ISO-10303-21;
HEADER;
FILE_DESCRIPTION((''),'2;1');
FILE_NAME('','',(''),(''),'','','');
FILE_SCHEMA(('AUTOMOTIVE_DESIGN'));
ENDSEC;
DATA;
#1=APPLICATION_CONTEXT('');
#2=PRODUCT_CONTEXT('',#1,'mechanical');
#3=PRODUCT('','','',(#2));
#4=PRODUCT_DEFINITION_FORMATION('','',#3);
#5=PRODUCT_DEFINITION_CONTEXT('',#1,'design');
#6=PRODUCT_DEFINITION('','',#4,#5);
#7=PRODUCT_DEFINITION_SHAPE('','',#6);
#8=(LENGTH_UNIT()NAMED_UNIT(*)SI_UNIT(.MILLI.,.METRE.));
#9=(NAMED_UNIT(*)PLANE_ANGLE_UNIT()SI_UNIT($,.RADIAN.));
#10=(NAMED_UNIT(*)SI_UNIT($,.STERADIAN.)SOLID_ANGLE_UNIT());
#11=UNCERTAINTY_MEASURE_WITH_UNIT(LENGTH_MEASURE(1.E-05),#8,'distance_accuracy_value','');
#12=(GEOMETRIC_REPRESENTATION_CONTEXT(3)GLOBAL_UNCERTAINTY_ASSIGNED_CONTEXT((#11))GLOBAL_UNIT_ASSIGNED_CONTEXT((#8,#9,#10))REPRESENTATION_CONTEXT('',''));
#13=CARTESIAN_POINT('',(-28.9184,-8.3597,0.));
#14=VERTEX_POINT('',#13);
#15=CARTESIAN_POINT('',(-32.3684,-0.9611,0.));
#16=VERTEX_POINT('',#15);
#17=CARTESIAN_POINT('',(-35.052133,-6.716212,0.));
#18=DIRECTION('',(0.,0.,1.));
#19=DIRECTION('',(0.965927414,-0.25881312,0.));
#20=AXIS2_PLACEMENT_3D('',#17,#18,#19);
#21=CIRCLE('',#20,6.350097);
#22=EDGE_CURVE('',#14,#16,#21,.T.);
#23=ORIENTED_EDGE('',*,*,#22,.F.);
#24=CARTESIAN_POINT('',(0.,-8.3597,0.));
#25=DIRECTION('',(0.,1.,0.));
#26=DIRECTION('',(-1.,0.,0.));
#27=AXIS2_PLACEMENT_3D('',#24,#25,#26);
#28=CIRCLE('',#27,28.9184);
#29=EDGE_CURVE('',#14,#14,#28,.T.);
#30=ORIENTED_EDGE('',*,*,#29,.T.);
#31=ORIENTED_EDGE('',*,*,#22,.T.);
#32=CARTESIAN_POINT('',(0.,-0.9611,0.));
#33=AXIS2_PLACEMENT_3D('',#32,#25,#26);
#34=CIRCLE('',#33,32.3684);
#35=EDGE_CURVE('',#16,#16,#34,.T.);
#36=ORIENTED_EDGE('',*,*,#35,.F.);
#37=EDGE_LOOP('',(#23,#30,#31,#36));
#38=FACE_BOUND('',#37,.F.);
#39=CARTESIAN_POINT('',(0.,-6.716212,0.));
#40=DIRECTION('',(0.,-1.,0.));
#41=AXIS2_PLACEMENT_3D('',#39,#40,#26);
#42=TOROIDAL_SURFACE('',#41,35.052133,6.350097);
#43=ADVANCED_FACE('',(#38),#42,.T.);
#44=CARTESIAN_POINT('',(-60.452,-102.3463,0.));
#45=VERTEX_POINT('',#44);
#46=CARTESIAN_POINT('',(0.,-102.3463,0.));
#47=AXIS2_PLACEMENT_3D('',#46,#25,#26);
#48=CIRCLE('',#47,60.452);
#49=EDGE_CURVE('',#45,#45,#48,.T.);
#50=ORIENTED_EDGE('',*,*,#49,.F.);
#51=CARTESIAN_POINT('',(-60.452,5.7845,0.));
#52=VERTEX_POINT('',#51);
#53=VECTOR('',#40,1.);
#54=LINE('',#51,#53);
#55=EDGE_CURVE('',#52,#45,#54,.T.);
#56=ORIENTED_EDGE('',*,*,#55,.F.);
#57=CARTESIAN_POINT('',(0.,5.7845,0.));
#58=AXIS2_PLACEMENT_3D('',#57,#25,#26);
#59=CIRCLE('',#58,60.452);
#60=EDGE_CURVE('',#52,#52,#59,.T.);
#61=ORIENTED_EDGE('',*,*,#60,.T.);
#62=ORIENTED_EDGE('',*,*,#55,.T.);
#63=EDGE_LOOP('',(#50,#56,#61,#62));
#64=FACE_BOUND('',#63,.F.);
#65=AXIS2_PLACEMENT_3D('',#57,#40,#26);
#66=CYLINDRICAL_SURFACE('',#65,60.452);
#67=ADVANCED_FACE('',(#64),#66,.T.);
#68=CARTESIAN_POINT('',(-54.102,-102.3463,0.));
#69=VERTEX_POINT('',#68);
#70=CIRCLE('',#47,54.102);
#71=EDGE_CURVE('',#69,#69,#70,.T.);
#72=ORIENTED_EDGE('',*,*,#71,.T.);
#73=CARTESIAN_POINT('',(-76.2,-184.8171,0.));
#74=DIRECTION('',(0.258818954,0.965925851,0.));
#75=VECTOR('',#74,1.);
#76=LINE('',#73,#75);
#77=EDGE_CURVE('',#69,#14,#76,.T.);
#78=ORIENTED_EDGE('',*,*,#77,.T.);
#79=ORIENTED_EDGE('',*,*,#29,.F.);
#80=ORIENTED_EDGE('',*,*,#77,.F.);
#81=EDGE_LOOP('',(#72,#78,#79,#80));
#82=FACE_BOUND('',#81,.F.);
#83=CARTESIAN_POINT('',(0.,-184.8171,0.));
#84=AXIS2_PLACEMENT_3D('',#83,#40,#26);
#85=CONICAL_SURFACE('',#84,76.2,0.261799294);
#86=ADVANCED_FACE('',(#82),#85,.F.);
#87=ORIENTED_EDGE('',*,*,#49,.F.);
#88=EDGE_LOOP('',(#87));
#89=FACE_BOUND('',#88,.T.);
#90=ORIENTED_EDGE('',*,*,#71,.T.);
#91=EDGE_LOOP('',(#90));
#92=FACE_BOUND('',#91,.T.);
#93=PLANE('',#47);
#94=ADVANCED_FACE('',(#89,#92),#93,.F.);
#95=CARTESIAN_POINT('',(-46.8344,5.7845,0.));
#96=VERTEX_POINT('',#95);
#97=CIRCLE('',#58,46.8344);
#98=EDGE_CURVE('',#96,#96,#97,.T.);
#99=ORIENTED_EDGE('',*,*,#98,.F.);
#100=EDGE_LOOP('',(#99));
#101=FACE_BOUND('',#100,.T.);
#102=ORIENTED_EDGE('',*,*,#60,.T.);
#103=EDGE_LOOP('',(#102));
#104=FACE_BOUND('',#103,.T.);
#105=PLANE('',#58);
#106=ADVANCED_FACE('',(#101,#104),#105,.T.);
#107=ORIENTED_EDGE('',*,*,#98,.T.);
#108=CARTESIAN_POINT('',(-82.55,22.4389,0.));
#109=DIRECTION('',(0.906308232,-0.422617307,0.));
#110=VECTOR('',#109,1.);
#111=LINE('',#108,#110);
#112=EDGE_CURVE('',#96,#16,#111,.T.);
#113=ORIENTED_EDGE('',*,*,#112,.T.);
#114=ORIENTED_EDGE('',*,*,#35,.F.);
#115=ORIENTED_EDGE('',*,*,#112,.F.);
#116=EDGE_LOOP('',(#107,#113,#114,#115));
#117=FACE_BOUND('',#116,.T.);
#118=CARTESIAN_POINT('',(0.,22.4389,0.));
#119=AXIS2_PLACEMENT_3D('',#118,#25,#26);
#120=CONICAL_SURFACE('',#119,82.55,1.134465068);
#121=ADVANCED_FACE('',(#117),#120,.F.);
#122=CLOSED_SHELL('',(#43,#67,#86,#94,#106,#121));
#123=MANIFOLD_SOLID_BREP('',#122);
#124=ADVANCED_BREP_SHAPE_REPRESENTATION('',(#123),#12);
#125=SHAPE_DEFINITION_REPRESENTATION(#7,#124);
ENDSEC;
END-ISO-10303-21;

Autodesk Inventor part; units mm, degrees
ref_plane "YZ Plane" through (0, 0, 0) normal (1, 0, 0) x (0, 1, 0)
ref_plane "XZ Plane" through (0, 0, 0) normal (0, 1, 0) x (-1, 0, 0)
ref_plane "XY Plane" through (0, 0, 0) normal (0, 0, 1) x (1, 0, 0)
sketch "Sketch1" plane through (0, 0, 0) normal (0, 0, 1) x (1, 0, 0)
  line L0 (0, 25.4) -> (-28.702, 25.4) construction
  line L1 (0, 25.4) -> (-95.25, 25.4) construction
  line L2 (-95.25, 25.4) -> (-88.9, 25.4) construction
  line L3 (-88.9, 25.4) -> (-82.55, 22.4389) construction
  line L4 (-88.9, 25.4) -> (-88.9, 22.4389) construction
  line L5 (-88.9, 0) -> (-95.25, 0)
  line L6 (-28.702, 59.6457) -> (-28.702, -91.9304) construction
  arc A0 (-28.9184, -8.3597) -> (-32.3684, -0.9611) centre (-35.052, -6.7162) ccw
  line L7 (-76.2, -184.8171) -> (-28.9184, -8.3597)
  line L8 (-88.9, 22.4389) -> (-82.55, 22.4389)
  line L9 (-88.9, 22.4389) -> (-88.9, 0)
  line L10 (-82.55, 22.4389) -> (-32.3684, -0.9611)
  line L11 (-28.702, -6.7162) -> (-60.452, -6.7162) construction
  line L12 (-60.452, 12.1345) -> (-60.452, -126.0448) construction
  line L13 (-60.452, -126.0448) -> (-54.102, -126.0448) construction
  line L14 (-54.102, -126.0448) -> (-54.102, -102.3463) construction
  line L15 (-54.102, -102.3463) -> (-60.452, -102.3463)
  line L16 (-60.452, 12.1345) -> (-60.452, 2.6095) construction
  line L17 (-60.452, 12.1345) -> (-60.452, 5.7845) construction
  line L18 (-60.452, 5.7845) -> (-46.8344, 5.7845)
  line L19 (-60.452, 5.7845) -> (-60.452, -102.3463)
  line L20 (-95.25, 0) -> (-95.25, -12.7) construction
  line L21 (-60.452, -12.7) -> (-73.152, -12.7) construction
  line L22 (-95.25, -12.7) -> (-95.25, -25.4) construction
  line L23 (-95.25, -25.4) -> (-95.25, -88.9) construction
  line L24 (-95.25, -88.9) -> (-82.55, -88.9) construction
  line L25 (-82.55, -88.9) -> (-82.55, -25.4) construction
  line L26 (-95.25, -25.4) -> (-82.55, -25.4)
  line L27 (-82.55, -25.4) -> (-82.55, -88.9)
  line L28 (-82.55, -88.9) -> (-95.25, -88.9)
  line L29 (-95.25, -12.7) -> (-73.152, -12.7)
  line L30 (-73.152, -137.8941) -> (-63.627, -137.8941)
  line L31 (-82.55, -88.9) -> (-82.55, -184.8171)
  line L32 (-82.55, -184.8171) -> (-76.2, -184.8171)
  line L33 (-73.152, -12.7) -> (-73.152, -137.8941)
  line L34 (-88.9, -25.4) -> (-88.9, -31.3436)
  line L35 (-88.9, -31.3436) -> (-95.25, -31.3436)
  line L36 (-95.25, 0) -> (-95.25, -25.4)
  line L37 (-95.25, -31.3436) -> (-95.25, -88.9)
  line L38 (0, -319.0244) -> (0, 122.7573) projected
  point P0 (0, 0)
  point P1 (-95.25, -255.9127)
  point P2 (-85.725, 22.4389)
  dimension "d0" = 28.702
  dimension "d1" = 95.25
  dimension "d2" = 6.35
  dimension "d3" = 25
  dimension "d5" = 25.4
  dimension "d6" = 25.4
  dimension "d8" = 12.7
  dimension "d11" = 6.35
  dimension "d12" = 31.75
  dimension "d13" = 6.35
  dimension "d15" = 6.35
  dimension "d16" = 12.7
  dimension "d17" = 12.7
  dimension "d18" = 12.7
  dimension "d19" = 63.5
  dimension "d20" = 12.7
  dimension "d22" = 9.525
  dimension "d23" = 6.35
  dimension "d25" = 5.9436
  dimension "d26" = 15
revolve "Revolution1" add sketch "Sketch1" angle 360 about axis through (0, -10, 0) along (0, 1, 0) contours L10 A0 L7 L15 L19 L18
properties part number "Graphite Master Sketch"
